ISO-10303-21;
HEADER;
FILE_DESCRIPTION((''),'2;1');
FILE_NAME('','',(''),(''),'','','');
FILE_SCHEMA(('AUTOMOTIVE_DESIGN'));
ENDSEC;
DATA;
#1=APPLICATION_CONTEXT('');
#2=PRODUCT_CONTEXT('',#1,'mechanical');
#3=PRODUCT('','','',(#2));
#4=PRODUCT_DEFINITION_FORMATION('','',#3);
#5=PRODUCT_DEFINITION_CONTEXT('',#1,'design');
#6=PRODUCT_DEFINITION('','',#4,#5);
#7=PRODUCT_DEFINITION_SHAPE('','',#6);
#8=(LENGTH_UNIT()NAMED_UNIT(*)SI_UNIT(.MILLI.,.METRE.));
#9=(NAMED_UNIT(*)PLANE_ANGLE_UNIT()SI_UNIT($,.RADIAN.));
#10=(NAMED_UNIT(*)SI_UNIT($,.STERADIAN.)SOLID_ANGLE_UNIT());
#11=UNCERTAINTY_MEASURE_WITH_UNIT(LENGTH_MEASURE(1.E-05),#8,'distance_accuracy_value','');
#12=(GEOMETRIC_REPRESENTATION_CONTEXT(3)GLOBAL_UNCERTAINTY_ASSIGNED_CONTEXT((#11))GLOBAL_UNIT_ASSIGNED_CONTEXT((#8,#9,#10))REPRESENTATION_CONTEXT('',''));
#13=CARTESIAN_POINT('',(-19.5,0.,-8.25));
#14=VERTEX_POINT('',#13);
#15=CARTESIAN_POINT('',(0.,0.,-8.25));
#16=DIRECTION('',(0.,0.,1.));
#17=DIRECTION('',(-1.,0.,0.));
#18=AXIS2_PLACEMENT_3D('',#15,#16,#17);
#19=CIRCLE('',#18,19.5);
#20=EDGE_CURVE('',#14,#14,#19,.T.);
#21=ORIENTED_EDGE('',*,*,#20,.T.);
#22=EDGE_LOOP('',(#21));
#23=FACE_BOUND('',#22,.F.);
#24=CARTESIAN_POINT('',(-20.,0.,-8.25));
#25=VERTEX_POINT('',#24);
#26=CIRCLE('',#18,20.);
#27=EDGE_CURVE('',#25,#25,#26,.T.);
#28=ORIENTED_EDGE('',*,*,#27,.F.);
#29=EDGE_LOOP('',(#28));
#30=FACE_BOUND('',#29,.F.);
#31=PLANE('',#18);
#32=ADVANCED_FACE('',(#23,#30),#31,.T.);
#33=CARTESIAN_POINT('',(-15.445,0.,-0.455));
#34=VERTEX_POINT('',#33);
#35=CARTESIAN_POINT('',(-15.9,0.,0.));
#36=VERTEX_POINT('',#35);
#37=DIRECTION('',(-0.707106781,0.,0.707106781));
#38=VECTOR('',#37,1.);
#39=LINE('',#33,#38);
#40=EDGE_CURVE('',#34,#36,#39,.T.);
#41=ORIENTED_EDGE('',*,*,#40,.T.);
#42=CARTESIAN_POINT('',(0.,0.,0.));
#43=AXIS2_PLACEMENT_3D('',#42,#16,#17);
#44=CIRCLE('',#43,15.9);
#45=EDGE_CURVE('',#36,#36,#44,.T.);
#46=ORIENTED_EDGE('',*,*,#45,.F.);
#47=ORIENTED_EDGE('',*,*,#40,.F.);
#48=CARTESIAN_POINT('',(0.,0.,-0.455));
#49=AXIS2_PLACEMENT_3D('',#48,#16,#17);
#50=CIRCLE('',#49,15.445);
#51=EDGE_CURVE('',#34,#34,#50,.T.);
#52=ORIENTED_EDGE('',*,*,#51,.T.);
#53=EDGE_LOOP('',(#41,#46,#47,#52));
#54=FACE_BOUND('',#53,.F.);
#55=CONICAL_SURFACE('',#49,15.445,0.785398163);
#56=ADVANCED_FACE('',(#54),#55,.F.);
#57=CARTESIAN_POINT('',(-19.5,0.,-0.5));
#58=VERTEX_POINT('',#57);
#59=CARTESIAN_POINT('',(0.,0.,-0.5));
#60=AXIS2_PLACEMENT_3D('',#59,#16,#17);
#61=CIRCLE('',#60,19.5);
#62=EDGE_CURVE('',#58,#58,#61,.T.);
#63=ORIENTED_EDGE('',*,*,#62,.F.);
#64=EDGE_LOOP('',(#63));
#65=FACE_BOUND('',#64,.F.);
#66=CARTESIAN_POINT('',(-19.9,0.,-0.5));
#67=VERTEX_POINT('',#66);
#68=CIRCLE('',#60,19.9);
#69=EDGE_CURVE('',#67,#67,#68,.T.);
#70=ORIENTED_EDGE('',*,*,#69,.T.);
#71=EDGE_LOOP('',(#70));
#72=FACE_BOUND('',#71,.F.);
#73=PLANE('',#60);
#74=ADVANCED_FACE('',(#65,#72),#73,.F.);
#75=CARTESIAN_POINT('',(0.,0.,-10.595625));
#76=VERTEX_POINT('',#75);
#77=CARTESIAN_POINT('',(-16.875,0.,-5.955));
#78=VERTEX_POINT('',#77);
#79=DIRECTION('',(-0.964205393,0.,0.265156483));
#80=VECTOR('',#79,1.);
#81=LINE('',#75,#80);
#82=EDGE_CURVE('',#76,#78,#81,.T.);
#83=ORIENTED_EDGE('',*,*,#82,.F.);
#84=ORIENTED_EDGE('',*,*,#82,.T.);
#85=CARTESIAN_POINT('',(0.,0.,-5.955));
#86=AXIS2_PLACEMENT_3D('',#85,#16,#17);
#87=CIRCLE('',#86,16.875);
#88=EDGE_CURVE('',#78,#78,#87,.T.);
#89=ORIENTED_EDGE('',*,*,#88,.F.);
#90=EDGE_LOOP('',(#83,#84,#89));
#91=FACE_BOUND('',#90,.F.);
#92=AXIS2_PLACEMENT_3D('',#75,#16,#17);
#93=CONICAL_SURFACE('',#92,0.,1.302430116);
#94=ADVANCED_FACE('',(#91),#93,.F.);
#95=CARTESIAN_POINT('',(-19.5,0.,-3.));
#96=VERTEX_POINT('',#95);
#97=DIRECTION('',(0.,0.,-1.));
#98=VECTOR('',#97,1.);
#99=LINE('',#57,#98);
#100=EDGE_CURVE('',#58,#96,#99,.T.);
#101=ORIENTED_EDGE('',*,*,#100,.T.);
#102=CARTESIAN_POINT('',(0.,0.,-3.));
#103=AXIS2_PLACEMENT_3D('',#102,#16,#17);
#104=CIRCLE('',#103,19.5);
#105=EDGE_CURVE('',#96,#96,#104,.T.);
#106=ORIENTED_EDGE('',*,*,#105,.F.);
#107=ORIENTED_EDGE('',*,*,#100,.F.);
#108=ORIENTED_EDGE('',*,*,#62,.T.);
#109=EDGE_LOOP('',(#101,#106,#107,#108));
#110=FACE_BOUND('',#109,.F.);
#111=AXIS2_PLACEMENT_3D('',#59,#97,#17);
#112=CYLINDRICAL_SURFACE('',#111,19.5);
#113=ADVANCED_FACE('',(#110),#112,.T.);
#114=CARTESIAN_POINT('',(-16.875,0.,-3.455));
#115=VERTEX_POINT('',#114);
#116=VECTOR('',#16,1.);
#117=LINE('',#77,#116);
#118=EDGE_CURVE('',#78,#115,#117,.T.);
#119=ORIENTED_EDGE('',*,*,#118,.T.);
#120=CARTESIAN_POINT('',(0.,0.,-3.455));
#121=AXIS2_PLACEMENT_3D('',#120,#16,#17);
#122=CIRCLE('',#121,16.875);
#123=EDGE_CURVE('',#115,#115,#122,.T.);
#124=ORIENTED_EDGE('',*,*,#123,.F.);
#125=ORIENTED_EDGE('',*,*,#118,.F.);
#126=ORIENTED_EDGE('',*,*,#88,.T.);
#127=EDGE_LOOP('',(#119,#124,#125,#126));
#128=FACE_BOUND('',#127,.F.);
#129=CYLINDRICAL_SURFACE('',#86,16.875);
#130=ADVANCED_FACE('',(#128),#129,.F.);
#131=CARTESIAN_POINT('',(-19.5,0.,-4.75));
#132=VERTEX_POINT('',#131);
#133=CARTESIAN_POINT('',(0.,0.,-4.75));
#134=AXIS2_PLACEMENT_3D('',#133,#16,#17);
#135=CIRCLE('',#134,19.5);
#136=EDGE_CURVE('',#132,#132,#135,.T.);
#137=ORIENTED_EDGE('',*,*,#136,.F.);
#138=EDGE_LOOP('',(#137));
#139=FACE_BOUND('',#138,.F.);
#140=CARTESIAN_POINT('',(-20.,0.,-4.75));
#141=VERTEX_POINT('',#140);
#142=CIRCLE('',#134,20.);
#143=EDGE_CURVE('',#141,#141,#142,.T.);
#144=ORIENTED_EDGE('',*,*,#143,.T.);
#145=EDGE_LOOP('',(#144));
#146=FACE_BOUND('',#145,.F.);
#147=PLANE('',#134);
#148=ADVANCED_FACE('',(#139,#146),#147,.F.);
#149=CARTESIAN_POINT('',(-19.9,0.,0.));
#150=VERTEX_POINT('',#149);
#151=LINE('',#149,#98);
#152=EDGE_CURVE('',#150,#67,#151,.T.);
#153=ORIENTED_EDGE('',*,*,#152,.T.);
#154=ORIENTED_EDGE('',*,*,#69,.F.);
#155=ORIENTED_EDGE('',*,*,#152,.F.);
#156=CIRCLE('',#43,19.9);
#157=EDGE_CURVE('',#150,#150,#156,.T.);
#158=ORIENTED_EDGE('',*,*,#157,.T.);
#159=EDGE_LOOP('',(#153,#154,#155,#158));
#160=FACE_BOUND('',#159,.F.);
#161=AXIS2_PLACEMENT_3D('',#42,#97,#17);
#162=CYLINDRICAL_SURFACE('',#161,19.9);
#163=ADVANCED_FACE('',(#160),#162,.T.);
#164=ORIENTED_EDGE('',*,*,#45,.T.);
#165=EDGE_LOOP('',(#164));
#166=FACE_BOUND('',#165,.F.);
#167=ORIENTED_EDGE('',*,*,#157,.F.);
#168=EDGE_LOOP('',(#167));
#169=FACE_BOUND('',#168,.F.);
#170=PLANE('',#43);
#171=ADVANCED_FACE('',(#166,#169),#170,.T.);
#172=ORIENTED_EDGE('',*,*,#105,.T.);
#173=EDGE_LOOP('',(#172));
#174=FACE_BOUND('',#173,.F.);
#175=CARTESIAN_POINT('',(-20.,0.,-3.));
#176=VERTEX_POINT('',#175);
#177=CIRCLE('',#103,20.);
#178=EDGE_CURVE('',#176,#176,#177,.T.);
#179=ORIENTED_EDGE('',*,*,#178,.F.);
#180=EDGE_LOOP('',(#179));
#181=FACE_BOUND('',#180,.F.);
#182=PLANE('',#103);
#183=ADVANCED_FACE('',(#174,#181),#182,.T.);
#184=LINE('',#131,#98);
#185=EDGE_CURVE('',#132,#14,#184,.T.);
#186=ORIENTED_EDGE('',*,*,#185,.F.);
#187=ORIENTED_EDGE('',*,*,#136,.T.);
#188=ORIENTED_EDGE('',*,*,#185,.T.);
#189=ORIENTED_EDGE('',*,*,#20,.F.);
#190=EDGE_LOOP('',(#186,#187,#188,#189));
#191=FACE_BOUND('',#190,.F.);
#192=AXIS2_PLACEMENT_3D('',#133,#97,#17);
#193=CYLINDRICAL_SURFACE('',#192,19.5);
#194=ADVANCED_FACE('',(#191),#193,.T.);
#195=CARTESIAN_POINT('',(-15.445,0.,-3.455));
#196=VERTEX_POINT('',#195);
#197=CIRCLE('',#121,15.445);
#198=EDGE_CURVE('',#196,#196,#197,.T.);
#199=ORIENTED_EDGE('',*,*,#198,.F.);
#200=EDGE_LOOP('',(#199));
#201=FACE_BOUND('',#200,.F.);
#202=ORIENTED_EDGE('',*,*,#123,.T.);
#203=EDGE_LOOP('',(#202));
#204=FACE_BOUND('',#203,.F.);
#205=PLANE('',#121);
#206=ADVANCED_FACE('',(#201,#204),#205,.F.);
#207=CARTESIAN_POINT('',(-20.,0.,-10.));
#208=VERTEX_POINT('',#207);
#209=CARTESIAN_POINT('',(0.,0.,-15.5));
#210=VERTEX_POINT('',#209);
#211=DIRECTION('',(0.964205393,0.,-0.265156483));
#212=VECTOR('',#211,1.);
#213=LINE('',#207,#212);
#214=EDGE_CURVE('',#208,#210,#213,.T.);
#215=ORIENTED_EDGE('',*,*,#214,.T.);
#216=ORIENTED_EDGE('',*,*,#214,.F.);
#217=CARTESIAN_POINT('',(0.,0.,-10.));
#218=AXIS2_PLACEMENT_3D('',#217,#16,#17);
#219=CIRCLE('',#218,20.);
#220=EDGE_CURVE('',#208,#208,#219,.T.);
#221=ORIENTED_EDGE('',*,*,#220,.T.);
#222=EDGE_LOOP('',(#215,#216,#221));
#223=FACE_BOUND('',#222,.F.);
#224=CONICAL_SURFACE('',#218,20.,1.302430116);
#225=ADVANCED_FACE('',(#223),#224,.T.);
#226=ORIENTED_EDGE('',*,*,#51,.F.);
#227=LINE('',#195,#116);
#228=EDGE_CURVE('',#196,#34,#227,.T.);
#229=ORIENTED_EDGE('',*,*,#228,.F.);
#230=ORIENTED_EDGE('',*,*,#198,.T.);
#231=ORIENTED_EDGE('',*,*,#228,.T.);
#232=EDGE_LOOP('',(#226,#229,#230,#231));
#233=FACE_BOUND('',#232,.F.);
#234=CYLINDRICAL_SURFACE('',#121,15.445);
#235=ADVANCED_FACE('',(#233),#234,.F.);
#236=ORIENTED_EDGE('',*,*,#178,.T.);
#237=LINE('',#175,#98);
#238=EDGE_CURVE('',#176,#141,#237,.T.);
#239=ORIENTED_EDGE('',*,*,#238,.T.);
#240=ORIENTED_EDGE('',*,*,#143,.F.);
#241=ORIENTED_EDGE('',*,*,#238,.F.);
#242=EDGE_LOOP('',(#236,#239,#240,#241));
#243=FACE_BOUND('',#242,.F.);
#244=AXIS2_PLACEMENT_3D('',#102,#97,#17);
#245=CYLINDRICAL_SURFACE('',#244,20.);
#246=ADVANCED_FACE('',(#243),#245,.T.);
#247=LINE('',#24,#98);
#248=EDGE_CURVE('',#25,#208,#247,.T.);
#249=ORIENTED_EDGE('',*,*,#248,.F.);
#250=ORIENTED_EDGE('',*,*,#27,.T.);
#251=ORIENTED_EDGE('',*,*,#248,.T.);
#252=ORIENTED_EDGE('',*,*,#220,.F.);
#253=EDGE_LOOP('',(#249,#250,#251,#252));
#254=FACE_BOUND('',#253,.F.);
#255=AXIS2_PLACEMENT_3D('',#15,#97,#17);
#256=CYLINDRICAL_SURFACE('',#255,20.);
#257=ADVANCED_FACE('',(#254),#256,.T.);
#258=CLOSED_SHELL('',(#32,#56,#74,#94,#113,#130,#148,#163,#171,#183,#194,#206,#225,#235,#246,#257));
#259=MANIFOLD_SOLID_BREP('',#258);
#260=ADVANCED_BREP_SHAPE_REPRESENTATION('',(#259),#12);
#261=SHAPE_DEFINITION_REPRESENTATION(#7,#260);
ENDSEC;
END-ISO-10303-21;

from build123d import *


with BuildPart() as f1:
    # F0 (on Front) → F1 (revolve)
    with BuildSketch(Plane.XZ):
        Polygon((-15.9, 0), (-19.9, 0), (-19.9, -0.5), (-19.5, -0.5), (-19.5, -3), (-20, -3), (-20, -4.75), (-19.5, -4.75), (-19.5, -8.25), (-20, -8.25), (-20, -10), (0, -15.5), (0, -10.595625), (-16.875, -5.955), (-16.875, -3.455), (-15.445, -3.455), (-15.445, -0.455), align=None)
    revolve(axis=Axis((0, 0, -13.047812), (0, 0, 1)))


solid = f1.part
